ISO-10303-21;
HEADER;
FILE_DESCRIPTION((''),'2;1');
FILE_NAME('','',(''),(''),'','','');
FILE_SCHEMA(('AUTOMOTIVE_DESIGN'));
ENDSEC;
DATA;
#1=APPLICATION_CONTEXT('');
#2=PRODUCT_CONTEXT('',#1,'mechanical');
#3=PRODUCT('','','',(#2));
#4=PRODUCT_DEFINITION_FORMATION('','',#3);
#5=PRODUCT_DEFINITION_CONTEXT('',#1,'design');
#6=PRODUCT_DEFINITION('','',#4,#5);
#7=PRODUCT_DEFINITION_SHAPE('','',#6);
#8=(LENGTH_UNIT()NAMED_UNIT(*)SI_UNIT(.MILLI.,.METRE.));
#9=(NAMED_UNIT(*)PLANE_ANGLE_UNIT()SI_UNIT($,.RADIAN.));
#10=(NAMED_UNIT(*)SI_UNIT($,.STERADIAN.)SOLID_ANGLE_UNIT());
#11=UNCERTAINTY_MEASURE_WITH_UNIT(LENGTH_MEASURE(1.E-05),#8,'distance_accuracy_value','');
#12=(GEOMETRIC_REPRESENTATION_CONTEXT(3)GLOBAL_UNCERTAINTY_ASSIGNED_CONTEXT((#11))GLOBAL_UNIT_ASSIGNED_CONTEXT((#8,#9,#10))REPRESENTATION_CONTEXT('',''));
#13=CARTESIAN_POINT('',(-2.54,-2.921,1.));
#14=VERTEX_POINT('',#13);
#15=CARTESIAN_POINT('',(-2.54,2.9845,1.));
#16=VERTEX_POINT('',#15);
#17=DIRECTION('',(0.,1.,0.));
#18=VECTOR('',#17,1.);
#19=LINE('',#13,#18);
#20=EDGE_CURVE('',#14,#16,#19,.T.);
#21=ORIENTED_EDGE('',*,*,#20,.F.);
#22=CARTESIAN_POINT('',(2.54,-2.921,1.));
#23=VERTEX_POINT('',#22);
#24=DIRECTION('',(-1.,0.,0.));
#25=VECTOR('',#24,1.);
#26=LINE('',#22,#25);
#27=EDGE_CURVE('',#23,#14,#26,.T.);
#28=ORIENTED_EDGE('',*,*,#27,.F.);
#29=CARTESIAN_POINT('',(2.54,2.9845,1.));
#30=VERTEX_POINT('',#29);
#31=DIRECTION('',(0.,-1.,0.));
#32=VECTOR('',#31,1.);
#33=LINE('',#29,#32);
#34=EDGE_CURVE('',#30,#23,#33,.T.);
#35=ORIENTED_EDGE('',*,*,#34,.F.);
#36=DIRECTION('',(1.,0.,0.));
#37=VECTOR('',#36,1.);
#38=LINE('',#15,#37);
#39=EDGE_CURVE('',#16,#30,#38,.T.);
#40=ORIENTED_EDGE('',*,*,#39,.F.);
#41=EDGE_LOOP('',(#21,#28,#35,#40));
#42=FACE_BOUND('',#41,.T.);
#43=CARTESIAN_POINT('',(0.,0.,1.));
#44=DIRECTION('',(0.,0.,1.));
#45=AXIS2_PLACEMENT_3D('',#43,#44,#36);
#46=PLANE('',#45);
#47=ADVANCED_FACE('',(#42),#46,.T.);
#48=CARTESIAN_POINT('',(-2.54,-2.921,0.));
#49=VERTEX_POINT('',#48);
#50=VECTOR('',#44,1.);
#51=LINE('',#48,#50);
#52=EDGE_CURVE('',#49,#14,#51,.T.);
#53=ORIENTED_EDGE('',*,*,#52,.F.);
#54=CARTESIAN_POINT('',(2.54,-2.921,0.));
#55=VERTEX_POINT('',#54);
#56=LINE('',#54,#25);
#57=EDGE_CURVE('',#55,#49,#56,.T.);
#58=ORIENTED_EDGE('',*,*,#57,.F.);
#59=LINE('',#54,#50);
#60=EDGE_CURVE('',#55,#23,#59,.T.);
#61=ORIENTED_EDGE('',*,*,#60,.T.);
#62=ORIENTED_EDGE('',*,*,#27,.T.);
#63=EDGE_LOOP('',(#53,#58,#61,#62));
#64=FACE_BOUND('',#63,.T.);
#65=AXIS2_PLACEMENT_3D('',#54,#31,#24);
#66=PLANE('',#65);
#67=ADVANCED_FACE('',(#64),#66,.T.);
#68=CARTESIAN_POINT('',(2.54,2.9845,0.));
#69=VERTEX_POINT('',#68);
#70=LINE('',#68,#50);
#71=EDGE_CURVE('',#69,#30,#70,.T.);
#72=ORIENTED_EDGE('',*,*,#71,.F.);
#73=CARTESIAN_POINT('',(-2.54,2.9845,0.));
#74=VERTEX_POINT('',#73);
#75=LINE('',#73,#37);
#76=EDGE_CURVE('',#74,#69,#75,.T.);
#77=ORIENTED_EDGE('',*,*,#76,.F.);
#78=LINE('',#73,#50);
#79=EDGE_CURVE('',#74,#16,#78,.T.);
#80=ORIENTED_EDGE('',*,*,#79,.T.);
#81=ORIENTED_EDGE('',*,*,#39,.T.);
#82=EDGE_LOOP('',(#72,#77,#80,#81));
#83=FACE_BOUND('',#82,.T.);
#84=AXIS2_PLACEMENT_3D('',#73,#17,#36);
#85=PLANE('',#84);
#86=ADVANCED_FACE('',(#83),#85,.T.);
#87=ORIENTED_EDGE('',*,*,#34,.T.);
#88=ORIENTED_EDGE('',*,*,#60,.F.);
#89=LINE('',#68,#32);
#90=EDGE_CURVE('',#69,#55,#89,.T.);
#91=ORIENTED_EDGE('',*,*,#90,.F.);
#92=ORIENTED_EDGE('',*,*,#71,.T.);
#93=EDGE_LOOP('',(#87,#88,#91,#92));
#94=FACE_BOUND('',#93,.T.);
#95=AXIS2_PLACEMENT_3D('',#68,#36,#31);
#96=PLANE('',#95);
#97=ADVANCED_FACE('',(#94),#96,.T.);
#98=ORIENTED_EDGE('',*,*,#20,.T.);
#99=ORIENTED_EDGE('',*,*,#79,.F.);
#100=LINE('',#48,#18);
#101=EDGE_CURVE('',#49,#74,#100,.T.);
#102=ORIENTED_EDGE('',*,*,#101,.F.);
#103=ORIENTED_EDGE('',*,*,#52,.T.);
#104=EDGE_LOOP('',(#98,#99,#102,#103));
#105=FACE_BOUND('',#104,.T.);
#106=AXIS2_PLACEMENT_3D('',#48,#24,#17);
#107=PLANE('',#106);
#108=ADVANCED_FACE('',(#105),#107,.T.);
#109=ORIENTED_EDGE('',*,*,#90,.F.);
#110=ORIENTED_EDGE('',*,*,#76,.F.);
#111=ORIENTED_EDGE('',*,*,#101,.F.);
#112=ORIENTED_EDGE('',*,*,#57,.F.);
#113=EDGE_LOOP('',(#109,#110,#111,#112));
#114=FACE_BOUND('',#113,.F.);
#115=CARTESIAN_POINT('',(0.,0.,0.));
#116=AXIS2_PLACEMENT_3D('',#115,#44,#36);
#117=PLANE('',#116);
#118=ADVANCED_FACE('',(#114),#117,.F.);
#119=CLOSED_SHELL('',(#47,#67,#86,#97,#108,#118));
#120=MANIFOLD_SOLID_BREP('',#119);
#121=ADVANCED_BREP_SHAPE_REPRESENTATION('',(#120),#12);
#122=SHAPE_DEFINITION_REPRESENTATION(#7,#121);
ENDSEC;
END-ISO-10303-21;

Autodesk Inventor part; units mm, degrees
ref_plane "YZ Plane" through (0, 0, 0) normal (1, 0, 0) x (0, 1, 0)
ref_plane "XZ Plane" through (0, 0, 0) normal (0, 1, 0) x (-1, 0, 0)
ref_plane "XY Plane" through (0, 0, 0) normal (0, 0, 1) x (1, 0, 0)
sketch "6410-02, 12V_POWER_32" plane through (0, 0, 0) normal (0, 0, 1) x (1, 0, 0)
  line L0 (-2.54, 2.9845) -> (2.54, 2.9845)
  line L1 (2.54, 2.9845) -> (2.54, -2.921)
  line L2 (2.54, -2.921) -> (-2.54, -2.921)
  line L3 (-2.54, -2.921) -> (-2.54, 2.9845)
extrude "Extrusion1" add sketch "6410-02, 12V_POWER_32" along normal blind 1
properties part number "12V_POWER"
